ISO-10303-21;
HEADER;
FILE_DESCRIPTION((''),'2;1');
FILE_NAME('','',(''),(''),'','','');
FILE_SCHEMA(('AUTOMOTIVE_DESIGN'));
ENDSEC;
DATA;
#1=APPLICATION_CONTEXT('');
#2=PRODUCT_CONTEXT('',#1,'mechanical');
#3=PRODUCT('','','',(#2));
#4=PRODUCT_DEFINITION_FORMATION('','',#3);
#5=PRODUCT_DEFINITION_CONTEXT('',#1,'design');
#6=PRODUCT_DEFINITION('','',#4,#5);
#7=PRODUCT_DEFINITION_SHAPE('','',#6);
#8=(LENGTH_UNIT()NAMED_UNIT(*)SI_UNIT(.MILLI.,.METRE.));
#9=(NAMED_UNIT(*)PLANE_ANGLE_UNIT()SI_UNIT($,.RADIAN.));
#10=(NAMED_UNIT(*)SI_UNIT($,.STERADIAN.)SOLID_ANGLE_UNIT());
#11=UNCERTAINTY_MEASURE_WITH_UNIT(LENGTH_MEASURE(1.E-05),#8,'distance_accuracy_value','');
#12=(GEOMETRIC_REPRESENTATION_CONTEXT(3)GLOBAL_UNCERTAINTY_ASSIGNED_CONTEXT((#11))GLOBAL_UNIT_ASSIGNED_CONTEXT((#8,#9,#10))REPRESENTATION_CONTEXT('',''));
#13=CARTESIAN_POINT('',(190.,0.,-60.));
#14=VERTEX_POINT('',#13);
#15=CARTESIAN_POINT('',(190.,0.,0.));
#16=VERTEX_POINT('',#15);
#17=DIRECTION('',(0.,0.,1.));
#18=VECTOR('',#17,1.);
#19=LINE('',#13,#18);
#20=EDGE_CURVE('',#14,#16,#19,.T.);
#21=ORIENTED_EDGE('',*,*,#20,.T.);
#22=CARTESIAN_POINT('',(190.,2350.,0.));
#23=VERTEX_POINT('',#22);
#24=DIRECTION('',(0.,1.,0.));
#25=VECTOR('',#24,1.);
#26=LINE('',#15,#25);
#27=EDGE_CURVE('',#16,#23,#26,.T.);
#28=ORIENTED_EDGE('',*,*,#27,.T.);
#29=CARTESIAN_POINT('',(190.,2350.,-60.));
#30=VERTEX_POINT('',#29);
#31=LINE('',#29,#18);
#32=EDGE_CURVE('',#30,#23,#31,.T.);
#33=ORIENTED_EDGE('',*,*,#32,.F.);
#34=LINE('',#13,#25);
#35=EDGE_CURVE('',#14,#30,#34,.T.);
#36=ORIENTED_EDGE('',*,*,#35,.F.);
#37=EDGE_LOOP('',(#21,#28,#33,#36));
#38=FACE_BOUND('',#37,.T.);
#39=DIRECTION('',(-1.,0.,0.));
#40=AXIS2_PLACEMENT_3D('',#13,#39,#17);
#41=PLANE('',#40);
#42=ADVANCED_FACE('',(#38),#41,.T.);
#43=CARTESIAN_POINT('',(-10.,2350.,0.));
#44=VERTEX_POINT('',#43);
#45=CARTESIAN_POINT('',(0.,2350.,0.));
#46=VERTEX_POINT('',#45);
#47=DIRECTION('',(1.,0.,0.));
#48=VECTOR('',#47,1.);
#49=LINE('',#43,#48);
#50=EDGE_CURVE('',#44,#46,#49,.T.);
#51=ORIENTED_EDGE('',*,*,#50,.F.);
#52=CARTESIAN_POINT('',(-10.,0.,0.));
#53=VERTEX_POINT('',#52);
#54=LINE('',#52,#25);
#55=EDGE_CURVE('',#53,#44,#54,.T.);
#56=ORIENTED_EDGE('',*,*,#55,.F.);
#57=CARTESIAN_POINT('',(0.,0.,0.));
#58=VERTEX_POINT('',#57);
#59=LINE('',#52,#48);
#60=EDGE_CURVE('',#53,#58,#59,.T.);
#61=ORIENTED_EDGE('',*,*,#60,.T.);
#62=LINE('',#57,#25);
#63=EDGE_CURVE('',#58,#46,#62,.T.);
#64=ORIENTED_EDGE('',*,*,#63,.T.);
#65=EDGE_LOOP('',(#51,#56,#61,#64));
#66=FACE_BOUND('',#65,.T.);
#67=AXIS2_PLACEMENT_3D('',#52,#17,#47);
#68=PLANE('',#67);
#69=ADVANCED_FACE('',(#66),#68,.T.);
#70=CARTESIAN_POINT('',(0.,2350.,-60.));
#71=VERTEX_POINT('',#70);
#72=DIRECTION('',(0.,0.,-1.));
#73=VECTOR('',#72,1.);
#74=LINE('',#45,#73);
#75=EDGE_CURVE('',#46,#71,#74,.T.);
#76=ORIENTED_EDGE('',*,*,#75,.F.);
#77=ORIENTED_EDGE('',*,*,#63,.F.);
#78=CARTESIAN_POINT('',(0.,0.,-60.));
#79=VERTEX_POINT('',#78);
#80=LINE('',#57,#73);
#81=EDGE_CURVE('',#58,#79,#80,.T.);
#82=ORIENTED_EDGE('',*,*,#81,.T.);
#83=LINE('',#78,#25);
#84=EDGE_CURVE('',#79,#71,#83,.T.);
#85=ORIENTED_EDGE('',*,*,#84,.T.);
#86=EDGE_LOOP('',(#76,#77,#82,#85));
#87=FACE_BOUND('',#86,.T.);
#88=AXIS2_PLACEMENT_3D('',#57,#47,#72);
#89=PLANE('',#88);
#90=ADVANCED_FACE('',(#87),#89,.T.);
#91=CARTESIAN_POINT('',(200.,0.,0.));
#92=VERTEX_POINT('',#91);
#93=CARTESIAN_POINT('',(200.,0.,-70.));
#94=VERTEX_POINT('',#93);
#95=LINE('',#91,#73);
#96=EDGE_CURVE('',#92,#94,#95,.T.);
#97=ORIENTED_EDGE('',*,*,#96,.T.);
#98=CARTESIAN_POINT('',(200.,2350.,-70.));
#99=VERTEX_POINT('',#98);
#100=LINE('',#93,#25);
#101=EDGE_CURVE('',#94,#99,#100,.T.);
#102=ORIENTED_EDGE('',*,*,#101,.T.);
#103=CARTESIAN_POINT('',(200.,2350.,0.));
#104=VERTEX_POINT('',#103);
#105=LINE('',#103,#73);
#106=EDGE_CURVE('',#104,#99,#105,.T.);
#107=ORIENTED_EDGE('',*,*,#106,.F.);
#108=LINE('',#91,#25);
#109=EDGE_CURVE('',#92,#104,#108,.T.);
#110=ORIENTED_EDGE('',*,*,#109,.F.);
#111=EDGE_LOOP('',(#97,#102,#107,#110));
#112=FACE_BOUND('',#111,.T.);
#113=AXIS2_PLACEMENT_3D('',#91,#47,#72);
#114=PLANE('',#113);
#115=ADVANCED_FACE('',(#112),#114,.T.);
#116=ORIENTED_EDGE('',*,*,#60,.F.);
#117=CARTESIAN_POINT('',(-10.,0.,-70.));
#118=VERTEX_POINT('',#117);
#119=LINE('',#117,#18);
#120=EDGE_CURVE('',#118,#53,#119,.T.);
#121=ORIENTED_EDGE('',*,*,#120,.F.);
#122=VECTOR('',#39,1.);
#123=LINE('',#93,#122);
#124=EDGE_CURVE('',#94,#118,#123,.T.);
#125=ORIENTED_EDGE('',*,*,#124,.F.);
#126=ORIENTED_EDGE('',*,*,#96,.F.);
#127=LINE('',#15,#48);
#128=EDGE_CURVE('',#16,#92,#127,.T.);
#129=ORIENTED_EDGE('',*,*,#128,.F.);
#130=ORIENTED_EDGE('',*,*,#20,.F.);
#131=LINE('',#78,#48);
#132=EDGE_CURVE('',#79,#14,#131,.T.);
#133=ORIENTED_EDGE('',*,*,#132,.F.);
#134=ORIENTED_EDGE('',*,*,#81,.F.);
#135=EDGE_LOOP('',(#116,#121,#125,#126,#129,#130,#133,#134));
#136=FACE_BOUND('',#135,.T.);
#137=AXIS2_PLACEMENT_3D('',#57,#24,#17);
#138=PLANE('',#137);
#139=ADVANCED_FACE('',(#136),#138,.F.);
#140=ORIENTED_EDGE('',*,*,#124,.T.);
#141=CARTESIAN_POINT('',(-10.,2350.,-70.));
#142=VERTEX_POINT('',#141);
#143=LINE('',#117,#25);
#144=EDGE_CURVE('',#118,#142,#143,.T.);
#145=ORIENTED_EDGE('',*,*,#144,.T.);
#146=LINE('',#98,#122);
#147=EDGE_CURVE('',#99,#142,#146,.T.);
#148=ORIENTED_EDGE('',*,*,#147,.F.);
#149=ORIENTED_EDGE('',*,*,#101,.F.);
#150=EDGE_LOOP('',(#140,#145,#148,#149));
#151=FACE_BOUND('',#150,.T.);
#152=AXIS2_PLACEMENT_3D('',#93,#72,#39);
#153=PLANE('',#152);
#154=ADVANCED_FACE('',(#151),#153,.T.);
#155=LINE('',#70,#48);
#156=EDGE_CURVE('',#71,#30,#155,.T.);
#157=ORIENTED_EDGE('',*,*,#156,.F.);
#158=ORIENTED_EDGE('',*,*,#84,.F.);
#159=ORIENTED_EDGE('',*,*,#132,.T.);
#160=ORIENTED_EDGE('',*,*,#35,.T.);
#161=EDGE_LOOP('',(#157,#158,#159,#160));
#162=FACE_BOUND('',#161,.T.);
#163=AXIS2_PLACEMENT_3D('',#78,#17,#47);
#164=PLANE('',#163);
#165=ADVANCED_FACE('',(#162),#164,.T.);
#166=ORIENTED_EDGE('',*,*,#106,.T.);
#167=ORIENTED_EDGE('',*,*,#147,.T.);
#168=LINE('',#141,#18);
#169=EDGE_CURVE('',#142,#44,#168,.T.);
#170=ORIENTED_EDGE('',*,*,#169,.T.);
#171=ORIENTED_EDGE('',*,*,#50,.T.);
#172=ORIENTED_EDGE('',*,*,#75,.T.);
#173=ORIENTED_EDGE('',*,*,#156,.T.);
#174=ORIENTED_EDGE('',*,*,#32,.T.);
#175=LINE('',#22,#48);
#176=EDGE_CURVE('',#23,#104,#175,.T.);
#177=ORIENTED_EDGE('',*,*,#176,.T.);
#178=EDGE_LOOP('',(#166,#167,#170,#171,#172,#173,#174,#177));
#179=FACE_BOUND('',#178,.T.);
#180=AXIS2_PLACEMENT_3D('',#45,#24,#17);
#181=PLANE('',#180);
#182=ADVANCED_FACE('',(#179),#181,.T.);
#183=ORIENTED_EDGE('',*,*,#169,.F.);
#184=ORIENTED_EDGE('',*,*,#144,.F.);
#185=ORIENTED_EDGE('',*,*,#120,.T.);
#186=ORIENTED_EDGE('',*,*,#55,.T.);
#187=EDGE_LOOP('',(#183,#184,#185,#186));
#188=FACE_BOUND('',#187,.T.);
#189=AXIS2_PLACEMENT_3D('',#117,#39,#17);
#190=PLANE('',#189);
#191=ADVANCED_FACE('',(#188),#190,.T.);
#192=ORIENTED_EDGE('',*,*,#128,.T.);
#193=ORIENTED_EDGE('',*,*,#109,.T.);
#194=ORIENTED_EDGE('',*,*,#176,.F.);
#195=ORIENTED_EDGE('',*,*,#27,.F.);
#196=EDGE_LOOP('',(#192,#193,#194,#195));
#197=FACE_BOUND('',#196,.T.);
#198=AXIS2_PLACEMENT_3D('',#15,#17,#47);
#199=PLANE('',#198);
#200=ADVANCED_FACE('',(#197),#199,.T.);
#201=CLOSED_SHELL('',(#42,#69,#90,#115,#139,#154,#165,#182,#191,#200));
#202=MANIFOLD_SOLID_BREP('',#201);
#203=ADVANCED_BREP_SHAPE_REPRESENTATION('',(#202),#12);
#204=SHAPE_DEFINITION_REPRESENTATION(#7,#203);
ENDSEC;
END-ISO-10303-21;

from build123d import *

# Parameters (mm, degrees)
BOSS_EXTRUDE1_DEPTH = 2350


with BuildPart() as part:
    # Sketch1 → Boss-Extrude1 (new body)
    with BuildSketch(Plane(origin=(0, 2350, 0), x_dir=(1, 0, 0), z_dir=(0, 1, 0))):
        Polygon((-10, 70), (-10, 0), (0, 0), (0, 60), (190, 60), (190, 0), (200, 0), (200, 70), align=None)
    extrude(amount=-BOSS_EXTRUDE1_DEPTH)


solid = part.part
